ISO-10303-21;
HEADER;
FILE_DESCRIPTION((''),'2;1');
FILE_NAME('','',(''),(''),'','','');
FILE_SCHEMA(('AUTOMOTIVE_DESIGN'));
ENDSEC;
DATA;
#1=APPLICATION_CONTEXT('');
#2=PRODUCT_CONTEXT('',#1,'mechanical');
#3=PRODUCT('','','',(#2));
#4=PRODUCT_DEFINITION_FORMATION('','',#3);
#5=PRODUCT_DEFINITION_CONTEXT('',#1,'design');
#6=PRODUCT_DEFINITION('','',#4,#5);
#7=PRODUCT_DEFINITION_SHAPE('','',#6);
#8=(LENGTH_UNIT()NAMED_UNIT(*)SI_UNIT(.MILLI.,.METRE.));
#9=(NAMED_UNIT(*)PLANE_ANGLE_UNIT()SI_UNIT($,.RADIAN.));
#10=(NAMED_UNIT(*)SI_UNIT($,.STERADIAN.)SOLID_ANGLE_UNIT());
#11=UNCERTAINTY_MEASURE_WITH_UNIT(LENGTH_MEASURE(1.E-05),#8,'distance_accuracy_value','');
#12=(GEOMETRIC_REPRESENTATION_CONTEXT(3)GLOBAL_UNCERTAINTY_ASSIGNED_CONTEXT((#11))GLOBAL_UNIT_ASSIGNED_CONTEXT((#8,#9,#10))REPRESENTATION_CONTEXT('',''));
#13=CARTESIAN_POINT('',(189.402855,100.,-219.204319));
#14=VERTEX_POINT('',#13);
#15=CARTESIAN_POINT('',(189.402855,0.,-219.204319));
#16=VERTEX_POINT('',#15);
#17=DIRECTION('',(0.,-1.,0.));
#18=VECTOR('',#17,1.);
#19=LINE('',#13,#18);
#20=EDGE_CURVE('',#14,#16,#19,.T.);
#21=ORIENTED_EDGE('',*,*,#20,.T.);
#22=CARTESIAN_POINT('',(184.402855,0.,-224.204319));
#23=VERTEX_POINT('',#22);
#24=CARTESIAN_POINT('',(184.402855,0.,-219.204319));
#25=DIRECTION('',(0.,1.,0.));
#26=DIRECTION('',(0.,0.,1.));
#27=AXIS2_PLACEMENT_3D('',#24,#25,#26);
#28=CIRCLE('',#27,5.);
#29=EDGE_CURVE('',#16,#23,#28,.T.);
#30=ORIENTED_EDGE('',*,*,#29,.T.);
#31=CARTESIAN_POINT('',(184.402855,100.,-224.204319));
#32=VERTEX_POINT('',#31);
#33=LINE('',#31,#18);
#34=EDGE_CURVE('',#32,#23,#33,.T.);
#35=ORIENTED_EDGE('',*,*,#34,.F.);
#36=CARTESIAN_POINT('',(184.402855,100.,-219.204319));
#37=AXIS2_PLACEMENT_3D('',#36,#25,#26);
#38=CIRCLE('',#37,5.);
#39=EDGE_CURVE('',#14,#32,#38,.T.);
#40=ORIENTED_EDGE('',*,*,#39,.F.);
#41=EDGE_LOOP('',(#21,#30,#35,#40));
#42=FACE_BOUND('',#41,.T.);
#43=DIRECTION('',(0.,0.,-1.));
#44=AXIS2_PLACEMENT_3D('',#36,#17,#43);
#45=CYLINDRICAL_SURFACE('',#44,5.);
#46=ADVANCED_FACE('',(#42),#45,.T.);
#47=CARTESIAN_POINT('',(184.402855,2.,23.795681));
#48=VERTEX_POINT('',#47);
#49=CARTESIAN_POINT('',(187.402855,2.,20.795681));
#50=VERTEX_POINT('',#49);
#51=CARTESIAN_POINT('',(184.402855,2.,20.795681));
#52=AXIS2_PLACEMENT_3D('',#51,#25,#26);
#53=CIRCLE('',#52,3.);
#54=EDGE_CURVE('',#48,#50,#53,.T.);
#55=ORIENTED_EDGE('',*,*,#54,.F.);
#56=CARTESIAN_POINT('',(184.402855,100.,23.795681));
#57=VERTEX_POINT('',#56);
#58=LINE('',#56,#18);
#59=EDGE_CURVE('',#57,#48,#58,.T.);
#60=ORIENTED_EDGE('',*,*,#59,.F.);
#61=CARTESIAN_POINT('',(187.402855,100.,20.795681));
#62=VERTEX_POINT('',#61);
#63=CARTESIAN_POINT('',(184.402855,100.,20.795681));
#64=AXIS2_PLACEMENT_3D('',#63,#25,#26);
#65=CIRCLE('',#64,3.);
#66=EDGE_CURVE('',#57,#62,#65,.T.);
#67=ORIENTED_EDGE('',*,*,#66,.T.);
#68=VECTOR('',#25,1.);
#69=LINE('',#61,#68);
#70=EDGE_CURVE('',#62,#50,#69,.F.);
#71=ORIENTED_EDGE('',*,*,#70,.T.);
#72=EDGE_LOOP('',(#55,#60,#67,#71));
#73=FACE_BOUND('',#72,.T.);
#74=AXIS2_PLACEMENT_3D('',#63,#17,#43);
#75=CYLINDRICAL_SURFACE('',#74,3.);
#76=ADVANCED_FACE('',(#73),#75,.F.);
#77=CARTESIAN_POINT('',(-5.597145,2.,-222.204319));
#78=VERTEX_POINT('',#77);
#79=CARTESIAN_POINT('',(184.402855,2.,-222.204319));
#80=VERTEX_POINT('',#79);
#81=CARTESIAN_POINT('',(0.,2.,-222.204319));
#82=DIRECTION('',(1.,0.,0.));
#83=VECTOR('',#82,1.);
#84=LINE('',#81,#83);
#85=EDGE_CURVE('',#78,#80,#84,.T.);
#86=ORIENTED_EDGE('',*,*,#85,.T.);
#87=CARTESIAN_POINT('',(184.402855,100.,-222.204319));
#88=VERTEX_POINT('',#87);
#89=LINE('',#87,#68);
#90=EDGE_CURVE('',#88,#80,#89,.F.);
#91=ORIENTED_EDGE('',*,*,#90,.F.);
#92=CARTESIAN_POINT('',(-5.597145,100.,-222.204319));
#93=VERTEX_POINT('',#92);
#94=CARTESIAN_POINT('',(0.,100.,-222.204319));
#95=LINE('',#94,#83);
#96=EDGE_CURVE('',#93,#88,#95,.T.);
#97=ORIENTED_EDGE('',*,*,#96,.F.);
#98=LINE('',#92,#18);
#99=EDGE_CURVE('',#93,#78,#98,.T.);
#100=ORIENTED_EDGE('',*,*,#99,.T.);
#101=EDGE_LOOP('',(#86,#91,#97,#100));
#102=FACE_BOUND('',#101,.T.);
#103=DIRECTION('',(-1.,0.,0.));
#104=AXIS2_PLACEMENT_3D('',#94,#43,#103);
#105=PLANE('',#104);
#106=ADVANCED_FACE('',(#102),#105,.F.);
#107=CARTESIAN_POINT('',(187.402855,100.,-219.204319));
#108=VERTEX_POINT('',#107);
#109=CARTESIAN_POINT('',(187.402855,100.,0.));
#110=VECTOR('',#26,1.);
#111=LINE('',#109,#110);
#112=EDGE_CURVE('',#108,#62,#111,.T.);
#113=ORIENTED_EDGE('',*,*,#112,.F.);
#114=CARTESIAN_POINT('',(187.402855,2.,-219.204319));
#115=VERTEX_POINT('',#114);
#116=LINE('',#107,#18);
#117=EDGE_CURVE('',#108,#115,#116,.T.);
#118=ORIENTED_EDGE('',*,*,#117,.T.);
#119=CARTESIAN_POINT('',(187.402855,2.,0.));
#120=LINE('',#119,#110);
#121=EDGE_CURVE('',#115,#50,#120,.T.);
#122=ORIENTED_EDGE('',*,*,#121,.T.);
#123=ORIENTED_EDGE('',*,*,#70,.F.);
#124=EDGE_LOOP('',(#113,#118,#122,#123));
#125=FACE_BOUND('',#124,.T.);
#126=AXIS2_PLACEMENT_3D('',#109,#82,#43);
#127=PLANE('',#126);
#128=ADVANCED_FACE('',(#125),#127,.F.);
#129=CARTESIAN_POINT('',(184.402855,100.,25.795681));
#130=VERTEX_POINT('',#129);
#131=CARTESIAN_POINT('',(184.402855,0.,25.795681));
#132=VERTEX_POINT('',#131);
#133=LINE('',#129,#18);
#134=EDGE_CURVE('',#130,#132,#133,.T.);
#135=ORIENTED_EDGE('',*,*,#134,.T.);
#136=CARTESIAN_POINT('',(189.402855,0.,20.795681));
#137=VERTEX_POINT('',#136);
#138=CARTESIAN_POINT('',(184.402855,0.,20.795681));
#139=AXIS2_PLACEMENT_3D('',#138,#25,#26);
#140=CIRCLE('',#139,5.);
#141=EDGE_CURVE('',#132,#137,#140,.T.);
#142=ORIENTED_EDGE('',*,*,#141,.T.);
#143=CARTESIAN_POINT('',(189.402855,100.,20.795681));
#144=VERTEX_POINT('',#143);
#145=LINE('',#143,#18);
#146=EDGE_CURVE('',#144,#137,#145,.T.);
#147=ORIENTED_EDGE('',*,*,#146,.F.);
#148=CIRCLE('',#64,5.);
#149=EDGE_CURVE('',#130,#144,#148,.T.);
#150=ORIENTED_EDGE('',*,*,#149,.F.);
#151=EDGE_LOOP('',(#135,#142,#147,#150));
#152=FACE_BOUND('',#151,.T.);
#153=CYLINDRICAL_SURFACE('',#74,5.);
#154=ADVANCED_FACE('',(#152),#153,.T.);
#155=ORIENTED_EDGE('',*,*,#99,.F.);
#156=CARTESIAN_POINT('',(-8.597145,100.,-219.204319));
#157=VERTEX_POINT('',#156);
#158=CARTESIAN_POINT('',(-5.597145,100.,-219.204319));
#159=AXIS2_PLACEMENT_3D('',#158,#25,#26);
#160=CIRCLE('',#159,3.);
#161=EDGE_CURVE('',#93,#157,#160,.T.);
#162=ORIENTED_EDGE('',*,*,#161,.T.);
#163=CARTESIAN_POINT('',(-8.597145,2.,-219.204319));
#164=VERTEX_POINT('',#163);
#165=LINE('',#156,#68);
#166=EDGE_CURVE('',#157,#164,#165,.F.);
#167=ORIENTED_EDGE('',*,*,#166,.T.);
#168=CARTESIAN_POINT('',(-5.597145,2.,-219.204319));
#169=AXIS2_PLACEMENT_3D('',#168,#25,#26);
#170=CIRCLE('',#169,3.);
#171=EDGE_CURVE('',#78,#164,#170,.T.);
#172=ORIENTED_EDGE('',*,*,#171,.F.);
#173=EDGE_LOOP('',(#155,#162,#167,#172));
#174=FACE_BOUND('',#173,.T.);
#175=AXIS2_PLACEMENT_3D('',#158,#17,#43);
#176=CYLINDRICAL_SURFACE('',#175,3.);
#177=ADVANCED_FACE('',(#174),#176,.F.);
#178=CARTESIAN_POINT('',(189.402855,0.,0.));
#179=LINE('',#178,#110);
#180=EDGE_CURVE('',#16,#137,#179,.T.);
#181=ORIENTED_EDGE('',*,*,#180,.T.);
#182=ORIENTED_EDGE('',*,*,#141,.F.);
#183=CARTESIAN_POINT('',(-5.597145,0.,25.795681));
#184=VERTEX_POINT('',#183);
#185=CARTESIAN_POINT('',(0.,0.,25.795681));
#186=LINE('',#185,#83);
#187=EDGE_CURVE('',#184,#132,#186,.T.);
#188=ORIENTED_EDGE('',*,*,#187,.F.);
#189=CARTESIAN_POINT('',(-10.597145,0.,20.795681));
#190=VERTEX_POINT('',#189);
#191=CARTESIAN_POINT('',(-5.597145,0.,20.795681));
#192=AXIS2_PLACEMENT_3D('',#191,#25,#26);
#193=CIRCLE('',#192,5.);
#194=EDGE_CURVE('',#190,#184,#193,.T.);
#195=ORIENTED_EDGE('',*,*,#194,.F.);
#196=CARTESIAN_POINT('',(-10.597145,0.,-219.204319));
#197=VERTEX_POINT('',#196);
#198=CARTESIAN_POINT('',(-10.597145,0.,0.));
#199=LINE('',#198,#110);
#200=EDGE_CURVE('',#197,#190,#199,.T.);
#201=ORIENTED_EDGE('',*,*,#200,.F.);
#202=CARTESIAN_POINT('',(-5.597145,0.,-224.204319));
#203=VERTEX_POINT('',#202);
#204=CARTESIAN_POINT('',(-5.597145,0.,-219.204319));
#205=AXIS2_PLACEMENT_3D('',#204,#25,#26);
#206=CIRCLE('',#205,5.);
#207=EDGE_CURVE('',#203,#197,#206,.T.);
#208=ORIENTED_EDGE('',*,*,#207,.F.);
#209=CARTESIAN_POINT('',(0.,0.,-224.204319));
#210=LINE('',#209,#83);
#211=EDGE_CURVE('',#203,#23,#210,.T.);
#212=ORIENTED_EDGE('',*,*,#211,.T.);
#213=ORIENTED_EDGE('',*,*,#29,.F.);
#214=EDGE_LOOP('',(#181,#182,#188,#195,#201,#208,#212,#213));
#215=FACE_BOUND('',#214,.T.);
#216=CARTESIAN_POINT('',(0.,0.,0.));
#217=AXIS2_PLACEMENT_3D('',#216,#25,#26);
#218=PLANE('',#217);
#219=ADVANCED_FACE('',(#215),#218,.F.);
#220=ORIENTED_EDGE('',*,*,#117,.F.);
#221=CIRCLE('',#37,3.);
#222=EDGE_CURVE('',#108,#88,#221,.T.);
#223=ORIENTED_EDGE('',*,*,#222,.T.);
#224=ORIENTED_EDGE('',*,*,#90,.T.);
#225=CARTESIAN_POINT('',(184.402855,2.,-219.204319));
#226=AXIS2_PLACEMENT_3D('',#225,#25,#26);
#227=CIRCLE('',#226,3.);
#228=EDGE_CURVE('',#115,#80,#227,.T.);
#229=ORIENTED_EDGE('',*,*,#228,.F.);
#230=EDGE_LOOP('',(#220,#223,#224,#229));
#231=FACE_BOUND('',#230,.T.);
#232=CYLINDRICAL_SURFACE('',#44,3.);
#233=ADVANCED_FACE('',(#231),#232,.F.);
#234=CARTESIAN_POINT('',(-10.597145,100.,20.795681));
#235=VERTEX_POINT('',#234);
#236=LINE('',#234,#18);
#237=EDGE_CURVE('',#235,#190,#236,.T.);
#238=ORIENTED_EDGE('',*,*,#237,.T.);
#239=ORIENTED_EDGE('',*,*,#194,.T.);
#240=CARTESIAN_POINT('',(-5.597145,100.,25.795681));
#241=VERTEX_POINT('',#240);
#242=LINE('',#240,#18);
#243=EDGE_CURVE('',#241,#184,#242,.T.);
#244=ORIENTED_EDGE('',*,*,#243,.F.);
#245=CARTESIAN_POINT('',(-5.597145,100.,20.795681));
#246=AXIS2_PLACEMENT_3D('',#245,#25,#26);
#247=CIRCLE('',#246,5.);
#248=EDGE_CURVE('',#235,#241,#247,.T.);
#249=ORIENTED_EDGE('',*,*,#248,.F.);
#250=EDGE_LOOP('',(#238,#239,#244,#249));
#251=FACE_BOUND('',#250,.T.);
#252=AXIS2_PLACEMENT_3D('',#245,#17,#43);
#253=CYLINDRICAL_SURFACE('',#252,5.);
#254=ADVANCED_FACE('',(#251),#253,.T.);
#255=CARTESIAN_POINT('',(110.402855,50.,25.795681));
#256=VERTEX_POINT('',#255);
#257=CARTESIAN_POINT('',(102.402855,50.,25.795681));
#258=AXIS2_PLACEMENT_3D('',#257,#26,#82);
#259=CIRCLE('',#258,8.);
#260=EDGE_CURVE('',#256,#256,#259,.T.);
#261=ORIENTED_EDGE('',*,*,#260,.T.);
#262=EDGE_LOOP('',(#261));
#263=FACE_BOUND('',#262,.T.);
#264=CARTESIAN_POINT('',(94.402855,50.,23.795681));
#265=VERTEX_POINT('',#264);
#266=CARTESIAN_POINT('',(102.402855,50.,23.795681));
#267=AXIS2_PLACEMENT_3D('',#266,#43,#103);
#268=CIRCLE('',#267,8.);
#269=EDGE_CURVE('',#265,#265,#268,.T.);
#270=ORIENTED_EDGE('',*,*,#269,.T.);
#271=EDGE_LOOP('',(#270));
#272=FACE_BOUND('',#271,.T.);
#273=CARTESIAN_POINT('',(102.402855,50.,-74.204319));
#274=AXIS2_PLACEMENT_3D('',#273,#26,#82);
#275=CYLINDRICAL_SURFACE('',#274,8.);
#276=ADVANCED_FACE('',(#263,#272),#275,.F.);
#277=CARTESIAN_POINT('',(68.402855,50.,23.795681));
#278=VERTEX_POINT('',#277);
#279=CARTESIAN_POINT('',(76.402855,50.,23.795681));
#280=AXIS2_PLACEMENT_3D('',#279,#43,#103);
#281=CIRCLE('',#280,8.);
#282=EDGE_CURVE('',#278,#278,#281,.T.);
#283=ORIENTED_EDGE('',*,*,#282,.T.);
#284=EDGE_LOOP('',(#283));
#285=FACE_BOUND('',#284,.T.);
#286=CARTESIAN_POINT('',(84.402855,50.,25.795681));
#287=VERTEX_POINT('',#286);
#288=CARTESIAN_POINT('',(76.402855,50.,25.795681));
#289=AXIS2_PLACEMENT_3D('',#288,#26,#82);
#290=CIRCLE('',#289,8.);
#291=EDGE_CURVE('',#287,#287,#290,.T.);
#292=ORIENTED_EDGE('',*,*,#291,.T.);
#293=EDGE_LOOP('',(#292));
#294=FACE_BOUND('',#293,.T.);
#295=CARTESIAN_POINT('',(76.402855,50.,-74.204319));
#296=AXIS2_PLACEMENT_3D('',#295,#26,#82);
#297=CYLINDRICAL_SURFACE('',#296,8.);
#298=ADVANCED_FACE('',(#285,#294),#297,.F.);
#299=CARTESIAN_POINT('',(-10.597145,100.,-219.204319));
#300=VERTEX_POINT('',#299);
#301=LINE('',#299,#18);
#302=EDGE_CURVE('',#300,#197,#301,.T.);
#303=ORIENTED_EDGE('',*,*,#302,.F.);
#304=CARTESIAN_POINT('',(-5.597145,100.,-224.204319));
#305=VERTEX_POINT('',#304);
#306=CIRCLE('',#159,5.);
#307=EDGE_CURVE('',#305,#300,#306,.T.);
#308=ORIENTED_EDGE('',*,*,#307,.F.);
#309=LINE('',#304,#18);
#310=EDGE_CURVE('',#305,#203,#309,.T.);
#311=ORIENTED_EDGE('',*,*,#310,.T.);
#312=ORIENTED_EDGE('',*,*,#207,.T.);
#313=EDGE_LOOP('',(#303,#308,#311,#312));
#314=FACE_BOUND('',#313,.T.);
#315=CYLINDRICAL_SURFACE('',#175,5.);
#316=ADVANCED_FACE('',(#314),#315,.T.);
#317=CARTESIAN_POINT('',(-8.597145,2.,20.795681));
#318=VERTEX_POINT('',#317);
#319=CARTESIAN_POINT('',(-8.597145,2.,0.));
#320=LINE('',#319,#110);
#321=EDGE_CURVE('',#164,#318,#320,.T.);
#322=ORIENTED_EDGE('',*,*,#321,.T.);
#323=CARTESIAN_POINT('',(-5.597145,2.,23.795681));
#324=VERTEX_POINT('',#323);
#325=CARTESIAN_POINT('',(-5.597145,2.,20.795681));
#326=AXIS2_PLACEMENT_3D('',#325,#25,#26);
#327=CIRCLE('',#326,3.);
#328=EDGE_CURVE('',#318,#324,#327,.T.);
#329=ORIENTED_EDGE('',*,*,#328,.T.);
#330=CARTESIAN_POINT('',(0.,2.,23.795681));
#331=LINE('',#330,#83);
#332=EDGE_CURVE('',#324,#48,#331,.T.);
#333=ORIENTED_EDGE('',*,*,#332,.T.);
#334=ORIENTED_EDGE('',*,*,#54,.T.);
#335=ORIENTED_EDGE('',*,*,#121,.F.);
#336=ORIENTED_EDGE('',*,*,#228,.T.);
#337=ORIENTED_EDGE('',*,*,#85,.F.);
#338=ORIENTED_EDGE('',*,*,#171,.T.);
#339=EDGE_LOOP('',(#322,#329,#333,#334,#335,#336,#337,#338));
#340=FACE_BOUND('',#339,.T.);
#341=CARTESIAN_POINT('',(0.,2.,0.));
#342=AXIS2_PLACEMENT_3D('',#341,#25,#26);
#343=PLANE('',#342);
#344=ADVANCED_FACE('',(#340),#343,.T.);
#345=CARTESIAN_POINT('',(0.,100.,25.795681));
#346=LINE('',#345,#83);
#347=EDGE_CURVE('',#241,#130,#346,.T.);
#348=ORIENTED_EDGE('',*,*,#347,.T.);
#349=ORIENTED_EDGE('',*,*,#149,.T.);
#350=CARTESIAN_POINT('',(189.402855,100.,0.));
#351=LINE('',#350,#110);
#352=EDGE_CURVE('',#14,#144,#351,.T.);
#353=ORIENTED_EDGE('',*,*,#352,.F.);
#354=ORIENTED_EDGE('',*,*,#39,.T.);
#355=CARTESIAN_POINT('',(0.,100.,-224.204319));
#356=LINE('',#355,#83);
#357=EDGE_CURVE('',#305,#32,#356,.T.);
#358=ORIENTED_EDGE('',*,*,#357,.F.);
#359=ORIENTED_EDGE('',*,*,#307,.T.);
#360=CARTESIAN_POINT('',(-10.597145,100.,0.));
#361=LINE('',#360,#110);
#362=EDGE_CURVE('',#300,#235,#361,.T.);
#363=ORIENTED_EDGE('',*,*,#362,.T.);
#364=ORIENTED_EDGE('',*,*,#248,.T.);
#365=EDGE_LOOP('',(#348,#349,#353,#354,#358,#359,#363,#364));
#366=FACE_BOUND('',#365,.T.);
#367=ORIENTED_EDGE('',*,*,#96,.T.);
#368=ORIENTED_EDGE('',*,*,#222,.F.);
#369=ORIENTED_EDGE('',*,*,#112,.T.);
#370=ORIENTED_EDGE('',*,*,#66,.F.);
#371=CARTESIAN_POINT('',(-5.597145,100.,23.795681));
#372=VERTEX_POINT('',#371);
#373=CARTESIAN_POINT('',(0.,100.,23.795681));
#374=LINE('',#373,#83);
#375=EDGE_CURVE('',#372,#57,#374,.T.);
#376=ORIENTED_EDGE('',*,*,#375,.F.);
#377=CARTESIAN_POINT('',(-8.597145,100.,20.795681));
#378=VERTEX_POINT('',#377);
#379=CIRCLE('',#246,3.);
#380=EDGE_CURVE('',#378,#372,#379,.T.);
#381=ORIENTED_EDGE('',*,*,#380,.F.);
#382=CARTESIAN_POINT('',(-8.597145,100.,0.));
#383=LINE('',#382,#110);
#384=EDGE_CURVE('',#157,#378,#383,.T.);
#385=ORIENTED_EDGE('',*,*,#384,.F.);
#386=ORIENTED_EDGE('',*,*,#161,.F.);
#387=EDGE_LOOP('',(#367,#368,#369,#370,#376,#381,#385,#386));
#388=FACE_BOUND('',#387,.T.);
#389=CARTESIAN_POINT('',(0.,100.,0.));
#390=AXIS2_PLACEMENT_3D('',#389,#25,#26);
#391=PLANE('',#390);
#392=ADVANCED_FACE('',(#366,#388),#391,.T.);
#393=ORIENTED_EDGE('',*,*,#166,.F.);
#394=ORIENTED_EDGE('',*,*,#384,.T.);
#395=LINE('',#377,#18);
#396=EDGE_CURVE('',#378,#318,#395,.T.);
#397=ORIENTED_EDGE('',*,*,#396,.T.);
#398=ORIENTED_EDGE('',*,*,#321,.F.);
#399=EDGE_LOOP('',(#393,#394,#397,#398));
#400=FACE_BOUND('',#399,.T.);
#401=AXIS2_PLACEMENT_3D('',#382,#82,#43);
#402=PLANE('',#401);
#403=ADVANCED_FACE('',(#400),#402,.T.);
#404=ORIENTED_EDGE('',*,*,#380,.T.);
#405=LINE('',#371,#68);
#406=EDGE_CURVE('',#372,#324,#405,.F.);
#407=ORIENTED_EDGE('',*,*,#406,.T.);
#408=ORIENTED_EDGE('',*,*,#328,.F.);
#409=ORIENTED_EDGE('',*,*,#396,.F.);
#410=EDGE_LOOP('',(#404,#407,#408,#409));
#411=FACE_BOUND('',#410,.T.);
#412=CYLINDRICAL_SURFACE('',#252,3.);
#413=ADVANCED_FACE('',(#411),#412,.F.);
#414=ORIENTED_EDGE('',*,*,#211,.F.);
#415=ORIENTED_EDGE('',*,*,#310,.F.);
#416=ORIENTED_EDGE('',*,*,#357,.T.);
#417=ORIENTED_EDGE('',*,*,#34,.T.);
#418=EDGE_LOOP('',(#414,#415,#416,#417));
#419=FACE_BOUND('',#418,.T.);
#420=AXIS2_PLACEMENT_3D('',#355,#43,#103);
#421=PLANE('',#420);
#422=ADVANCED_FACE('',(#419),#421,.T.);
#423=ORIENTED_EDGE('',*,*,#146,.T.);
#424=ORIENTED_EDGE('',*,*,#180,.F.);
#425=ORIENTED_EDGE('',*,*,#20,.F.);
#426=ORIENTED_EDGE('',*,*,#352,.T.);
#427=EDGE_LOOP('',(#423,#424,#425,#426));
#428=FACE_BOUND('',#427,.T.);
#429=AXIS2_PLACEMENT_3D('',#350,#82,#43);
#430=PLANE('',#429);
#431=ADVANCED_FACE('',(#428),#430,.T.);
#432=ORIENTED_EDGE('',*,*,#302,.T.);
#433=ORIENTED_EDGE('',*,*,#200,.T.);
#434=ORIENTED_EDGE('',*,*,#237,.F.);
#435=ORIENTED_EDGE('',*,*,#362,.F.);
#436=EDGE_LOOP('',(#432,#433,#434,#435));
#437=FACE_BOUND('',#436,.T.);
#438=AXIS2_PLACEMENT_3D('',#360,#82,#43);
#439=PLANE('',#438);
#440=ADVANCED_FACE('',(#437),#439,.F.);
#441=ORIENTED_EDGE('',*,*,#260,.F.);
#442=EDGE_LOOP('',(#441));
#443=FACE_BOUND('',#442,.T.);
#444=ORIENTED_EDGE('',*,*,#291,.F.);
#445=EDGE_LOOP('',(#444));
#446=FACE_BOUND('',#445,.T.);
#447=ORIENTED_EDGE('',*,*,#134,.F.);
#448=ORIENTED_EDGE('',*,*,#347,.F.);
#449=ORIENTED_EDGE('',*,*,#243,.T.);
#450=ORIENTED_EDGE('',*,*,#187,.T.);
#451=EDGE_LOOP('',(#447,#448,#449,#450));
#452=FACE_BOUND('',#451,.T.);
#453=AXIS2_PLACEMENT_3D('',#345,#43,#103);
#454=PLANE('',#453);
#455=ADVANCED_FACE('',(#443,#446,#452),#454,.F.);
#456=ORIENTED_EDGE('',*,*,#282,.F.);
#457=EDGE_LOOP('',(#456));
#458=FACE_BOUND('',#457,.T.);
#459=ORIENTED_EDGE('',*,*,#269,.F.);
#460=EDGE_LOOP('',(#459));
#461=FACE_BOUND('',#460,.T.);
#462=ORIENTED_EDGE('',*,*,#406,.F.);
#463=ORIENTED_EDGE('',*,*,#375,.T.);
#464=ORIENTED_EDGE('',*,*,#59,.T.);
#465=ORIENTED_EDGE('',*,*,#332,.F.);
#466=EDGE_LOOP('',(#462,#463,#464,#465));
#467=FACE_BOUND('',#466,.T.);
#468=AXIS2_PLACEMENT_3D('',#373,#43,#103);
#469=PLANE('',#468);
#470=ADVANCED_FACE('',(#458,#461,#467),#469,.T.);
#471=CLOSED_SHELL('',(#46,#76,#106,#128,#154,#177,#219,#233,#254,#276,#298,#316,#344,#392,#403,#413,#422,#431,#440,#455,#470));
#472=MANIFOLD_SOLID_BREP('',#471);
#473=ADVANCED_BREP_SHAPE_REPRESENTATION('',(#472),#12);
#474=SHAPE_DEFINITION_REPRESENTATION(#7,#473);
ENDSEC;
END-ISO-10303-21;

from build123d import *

# Parameters (mm, degrees)
BOSS_EXTRUDE2_DEPTH = 100
SHELL2_T            = -2
SKETCH5_R           = 8
CUT_EXTRUDE1_DEPTH  = 100


with BuildPart() as part:
    # Sketch3 → Boss-Extrude2 (new body)
    with BuildSketch(Plane(origin=(0, 0, 0), x_dir=(1, 0, 0), z_dir=(0, 1, 0))):
        with BuildLine():
            Line((184.402855292, 224.204318802), (89.402855292, 224.204318802))
            Line((89.402855292, 224.204318802), (-5.597144708, 224.204318802))
            ThreePointArc((-5.597144708, 224.204318802), (-9.132678614, 222.739852708), (-10.597144708, 219.204318802))
            Line((-10.597144708, 219.204318802), (-10.597144708, -20.795681198))
            ThreePointArc((-10.597144708, -20.795681198), (-9.132678614, -24.331215104), (-5.597144708, -25.795681198))
            Line((-5.597144708, -25.795681198), (89.402855292, -25.795681198))
            Line((89.402855292, -25.795681198), (184.402855292, -25.795681198))
            ThreePointArc((184.402855292, -25.795681198), (187.938389198, -24.331215104), (189.402855292, -20.795681198))
            Line((189.402855292, -20.795681198), (189.402855292, 219.204318802))
            ThreePointArc((189.402855292, 219.204318802), (187.938389198, 222.739852708), (184.402855292, 224.204318802))
        make_face()
    extrude(amount=BOSS_EXTRUDE2_DEPTH)

    # Shell2
    shell2_openings = [part.faces().sort_by_distance(p)[0] for p in [
        (89.402855292, 100, -99.204318802),
    ]]
    offset(amount=SHELL2_T, openings=shell2_openings, kind=Kind.INTERSECTION)

    # Sketch5 → Cut-Extrude1 (cut)
    with BuildSketch(Plane.XY.offset(25.795681198)):
        with Locations((76.402855292, 50)):
            Circle(SKETCH5_R)
        with Locations((102.402855292, 50)):
            Circle(SKETCH5_R)
    extrude(amount=-CUT_EXTRUDE1_DEPTH, mode=Mode.SUBTRACT)


solid = part.part
